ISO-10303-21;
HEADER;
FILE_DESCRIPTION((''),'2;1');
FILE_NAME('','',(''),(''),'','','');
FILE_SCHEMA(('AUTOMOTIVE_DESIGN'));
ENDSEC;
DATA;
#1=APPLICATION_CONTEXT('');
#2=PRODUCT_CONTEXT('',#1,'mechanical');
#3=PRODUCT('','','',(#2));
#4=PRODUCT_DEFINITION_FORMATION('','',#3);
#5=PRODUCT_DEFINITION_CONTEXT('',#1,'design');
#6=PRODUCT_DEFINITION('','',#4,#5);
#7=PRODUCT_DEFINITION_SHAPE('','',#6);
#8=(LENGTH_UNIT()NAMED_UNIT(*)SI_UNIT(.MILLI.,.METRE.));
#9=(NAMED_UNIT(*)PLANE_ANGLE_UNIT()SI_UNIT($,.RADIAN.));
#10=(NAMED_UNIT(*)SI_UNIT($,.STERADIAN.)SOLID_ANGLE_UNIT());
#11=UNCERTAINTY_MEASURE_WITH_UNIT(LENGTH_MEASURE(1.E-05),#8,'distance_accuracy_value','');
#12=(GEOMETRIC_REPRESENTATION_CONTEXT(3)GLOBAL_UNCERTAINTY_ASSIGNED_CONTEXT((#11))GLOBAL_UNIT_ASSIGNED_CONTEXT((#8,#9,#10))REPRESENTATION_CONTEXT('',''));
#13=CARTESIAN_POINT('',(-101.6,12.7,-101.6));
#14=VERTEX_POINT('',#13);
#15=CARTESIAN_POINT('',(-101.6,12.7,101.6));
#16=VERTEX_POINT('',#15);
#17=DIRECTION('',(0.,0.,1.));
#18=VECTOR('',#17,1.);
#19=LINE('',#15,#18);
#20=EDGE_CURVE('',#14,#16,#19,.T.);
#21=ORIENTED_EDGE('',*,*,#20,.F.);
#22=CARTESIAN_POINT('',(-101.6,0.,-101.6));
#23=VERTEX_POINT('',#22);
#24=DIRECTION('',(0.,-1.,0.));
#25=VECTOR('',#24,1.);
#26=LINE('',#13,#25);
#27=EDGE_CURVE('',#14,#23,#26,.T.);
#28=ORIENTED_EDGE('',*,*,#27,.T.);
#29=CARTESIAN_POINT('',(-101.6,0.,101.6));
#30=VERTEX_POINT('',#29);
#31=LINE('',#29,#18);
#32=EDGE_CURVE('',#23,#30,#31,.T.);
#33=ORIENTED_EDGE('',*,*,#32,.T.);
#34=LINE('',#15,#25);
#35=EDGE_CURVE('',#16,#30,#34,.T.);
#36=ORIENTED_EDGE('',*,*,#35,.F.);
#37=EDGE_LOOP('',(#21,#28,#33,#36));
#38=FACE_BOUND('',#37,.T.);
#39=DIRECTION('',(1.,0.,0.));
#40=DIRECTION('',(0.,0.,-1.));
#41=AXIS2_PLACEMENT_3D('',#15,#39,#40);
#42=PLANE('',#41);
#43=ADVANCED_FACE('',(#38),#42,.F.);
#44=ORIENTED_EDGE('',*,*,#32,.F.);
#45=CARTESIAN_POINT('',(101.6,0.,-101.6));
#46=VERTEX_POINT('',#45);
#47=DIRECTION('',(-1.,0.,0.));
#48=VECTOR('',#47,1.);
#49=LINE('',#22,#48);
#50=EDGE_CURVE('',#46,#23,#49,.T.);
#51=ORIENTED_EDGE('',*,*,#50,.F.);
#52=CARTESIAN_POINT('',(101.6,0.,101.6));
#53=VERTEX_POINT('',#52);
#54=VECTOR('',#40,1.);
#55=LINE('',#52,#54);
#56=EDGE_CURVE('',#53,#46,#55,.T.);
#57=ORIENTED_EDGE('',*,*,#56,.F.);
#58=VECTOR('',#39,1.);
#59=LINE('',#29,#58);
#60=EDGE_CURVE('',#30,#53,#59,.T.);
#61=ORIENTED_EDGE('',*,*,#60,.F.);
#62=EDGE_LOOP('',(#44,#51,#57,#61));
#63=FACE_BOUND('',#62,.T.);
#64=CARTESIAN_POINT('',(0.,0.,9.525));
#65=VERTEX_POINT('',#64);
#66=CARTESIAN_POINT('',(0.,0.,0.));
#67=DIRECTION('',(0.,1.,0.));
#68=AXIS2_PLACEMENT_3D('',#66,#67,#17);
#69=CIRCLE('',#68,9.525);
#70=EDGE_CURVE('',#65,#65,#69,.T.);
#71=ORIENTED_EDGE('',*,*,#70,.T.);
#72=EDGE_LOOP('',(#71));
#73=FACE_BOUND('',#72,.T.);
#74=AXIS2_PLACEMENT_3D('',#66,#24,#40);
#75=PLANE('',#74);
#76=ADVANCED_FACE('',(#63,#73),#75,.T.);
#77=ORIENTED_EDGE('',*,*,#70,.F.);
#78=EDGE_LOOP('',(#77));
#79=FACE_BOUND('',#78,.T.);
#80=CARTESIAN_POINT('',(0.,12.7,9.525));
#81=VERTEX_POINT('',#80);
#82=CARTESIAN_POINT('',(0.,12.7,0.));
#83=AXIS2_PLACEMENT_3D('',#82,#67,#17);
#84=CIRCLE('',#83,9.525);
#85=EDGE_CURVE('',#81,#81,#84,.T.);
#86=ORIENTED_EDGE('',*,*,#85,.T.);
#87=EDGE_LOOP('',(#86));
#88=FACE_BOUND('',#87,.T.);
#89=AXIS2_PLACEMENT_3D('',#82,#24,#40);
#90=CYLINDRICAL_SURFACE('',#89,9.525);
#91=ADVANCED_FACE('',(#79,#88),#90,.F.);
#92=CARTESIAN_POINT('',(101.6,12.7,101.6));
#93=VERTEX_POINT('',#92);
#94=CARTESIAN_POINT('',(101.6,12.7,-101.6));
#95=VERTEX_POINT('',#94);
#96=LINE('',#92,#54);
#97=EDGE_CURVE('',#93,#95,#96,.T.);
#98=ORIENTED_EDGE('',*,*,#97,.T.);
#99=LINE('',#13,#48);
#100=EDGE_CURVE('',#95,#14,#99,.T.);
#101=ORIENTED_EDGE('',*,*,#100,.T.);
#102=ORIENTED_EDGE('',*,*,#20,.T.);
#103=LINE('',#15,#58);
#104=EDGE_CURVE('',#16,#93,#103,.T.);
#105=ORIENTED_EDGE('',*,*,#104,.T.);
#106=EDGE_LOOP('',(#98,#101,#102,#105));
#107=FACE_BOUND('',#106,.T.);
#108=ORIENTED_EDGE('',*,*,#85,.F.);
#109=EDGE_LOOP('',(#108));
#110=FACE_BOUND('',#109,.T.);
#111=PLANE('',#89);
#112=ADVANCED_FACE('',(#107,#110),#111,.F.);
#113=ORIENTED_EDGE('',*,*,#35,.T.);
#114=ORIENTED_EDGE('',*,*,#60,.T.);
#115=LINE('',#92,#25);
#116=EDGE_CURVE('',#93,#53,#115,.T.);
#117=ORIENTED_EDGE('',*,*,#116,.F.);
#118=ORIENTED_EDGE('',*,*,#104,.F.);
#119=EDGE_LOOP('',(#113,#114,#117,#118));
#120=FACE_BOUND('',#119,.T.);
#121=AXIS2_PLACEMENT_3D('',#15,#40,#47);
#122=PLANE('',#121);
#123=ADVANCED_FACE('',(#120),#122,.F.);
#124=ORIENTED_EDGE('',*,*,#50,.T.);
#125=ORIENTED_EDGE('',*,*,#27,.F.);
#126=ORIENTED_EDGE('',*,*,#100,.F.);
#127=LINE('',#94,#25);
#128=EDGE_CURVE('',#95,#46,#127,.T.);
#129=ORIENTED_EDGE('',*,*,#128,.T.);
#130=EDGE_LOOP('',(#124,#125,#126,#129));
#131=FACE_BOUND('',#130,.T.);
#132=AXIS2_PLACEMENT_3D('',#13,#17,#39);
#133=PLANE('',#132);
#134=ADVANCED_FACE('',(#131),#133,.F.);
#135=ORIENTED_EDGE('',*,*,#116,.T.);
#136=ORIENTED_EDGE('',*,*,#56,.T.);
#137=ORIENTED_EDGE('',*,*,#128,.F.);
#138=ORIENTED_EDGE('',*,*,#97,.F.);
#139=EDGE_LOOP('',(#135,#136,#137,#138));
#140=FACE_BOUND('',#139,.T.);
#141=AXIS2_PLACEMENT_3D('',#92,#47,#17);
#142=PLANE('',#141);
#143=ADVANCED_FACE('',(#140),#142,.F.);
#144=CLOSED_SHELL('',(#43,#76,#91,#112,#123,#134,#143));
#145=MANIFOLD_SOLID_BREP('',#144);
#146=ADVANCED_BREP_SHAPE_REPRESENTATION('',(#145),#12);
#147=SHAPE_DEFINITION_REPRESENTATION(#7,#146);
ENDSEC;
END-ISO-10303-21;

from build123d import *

# Parameters (mm, degrees)
SKETCH1_W           = 203.2
SKETCH1_H           = 203.2
SKETCH1_R           = 9.525
BOSS_EXTRUDE1_DEPTH = 12.7


with BuildPart() as part:
    # Sketch1 → Boss-Extrude1 (new body)
    with BuildSketch(Plane(origin=(0, 0, 0), x_dir=(1, 0, 0), z_dir=(0, 1, 0))):
        Rectangle(SKETCH1_W, SKETCH1_H)
        with Locations(Location((0, 0, 0), (0, 0, 270))):
            Circle(SKETCH1_R, mode=Mode.SUBTRACT)
    extrude(amount=BOSS_EXTRUDE1_DEPTH)


solid = part.part
